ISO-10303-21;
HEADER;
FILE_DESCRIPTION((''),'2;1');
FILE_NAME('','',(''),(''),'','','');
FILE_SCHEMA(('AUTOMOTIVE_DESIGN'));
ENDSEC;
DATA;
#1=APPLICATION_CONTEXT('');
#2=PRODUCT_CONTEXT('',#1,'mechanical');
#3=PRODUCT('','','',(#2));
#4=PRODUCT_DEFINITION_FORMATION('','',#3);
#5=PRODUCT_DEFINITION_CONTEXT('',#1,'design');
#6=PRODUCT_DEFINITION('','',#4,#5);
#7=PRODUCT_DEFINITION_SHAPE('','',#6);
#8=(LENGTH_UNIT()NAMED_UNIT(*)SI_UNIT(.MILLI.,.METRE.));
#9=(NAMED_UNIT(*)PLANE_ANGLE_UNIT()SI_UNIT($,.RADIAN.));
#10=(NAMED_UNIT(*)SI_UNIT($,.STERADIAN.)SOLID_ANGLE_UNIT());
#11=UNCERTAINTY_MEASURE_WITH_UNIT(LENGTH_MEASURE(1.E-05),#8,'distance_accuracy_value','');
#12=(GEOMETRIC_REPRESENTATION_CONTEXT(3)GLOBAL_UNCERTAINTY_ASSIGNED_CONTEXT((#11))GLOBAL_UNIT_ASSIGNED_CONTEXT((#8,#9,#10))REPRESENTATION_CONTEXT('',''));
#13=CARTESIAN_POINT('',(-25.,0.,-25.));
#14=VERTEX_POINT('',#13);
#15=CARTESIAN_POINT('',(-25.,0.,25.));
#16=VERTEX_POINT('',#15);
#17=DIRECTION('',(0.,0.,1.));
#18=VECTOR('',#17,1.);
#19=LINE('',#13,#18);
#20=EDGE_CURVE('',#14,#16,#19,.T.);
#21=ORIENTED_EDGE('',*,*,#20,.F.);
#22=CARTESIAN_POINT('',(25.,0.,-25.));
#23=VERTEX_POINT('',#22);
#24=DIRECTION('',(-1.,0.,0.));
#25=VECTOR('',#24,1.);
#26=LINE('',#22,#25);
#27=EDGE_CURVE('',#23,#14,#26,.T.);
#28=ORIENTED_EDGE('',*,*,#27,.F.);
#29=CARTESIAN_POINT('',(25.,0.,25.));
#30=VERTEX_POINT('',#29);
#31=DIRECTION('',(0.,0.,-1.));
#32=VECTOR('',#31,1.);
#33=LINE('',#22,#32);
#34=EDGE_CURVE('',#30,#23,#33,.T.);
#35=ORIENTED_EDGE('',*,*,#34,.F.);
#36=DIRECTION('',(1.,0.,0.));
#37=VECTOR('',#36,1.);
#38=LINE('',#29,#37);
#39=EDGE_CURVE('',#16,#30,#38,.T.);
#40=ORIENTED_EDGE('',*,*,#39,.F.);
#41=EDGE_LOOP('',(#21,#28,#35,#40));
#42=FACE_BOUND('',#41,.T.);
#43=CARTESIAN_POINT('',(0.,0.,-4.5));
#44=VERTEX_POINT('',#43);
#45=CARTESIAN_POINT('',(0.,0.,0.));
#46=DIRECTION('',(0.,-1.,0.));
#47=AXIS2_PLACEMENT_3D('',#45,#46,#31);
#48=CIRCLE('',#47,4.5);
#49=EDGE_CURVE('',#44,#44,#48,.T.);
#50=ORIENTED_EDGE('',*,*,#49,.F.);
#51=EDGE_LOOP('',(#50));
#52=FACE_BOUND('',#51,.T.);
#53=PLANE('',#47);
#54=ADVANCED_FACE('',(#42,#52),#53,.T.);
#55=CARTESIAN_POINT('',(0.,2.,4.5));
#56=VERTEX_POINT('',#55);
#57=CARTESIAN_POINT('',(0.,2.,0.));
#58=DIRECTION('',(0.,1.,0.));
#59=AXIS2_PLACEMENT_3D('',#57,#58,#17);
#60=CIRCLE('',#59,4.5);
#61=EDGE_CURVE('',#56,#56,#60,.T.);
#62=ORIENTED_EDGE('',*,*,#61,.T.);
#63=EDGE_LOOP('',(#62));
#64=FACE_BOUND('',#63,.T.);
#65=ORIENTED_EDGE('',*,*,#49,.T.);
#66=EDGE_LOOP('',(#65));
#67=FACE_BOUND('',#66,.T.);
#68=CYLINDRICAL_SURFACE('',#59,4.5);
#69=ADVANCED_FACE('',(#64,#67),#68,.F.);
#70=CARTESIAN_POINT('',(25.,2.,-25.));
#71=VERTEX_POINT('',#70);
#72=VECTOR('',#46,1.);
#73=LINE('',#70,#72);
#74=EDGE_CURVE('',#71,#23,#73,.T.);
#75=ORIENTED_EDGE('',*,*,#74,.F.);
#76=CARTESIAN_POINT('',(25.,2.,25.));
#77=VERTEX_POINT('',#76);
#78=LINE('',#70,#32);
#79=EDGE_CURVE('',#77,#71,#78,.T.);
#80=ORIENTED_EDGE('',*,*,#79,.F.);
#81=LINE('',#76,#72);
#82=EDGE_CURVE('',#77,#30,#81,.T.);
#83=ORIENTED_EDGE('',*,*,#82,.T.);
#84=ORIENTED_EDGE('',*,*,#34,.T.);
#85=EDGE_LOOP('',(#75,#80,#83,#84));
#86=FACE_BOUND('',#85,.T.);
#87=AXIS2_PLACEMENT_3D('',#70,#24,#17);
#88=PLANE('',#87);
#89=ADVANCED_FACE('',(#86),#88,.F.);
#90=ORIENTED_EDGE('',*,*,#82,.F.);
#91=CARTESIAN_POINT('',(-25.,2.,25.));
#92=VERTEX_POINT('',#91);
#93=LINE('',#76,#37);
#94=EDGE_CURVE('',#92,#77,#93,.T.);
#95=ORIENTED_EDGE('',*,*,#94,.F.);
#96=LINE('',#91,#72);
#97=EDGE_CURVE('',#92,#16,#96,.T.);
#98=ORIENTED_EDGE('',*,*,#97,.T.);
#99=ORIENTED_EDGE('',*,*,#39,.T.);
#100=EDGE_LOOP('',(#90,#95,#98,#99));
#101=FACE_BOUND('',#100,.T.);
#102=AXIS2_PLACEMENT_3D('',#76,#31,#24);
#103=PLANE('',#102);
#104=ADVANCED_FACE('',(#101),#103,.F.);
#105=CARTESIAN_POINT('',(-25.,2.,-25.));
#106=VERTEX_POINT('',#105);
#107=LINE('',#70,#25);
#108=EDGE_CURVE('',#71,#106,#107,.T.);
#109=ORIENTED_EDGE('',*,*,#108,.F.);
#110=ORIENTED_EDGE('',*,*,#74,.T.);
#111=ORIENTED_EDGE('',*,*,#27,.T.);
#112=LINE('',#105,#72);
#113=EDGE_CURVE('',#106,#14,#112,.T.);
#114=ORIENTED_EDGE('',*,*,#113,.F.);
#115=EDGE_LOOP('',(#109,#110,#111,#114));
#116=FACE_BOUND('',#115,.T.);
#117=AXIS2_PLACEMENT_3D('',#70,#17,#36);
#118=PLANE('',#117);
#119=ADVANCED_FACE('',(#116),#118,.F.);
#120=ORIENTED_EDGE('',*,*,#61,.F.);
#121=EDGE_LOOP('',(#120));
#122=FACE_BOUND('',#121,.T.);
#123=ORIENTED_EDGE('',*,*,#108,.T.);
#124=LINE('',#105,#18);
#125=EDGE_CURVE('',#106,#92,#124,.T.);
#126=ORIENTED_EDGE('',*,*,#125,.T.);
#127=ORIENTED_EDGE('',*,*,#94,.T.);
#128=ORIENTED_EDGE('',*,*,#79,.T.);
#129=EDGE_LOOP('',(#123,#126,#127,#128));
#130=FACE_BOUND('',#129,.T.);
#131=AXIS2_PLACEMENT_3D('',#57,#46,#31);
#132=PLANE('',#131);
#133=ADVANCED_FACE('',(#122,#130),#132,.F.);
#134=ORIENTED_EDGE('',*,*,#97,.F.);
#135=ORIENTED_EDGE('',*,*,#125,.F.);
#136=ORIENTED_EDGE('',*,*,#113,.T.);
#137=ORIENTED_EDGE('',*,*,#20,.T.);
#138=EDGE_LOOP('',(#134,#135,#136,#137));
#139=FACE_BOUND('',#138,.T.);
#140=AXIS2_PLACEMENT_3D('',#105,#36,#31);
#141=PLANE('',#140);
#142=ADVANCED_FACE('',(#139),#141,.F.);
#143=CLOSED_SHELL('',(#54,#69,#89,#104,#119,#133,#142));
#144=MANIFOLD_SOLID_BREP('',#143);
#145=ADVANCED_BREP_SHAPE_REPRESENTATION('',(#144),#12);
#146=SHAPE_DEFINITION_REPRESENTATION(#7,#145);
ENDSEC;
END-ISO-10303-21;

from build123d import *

# Parameters (mm, degrees)
ESBO_O2_W                   = 50
ESBO_O2_H                   = 50
RESSALTO_EXTRUS_O1_DEPTH    = 2
FURO_COM_FOLGA_DE_M81_D     = 9
FURO_COM_FOLGA_DE_M81_DEPTH = 10
FURO_COM_FOLGA_DE_M81_TIP   = 2.703872786


with BuildPart() as part:
    # Esboço2 → Ressalto-extrusão1 (new body)
    with BuildSketch(Plane(origin=(0, 0, 0), x_dir=(1, 0, 0), z_dir=(0, 1, 0))):
        Rectangle(ESBO_O2_W, ESBO_O2_H)
    extrude(amount=RESSALTO_EXTRUS_O1_DEPTH)

    # Furo com folga de M81
    with Locations(Plane(origin=(0, 2, 0), x_dir=(1, 0, 0), z_dir=(0, 1, 0))):
        with Locations((0, 0)):
            Hole(FURO_COM_FOLGA_DE_M81_D / 2, depth=FURO_COM_FOLGA_DE_M81_DEPTH)
            with Locations((0, 0, -(FURO_COM_FOLGA_DE_M81_DEPTH + FURO_COM_FOLGA_DE_M81_TIP / 2))):  # 118° drill point
                Cone(0, FURO_COM_FOLGA_DE_M81_D / 2, FURO_COM_FOLGA_DE_M81_TIP, mode=Mode.SUBTRACT)


solid = part.part
